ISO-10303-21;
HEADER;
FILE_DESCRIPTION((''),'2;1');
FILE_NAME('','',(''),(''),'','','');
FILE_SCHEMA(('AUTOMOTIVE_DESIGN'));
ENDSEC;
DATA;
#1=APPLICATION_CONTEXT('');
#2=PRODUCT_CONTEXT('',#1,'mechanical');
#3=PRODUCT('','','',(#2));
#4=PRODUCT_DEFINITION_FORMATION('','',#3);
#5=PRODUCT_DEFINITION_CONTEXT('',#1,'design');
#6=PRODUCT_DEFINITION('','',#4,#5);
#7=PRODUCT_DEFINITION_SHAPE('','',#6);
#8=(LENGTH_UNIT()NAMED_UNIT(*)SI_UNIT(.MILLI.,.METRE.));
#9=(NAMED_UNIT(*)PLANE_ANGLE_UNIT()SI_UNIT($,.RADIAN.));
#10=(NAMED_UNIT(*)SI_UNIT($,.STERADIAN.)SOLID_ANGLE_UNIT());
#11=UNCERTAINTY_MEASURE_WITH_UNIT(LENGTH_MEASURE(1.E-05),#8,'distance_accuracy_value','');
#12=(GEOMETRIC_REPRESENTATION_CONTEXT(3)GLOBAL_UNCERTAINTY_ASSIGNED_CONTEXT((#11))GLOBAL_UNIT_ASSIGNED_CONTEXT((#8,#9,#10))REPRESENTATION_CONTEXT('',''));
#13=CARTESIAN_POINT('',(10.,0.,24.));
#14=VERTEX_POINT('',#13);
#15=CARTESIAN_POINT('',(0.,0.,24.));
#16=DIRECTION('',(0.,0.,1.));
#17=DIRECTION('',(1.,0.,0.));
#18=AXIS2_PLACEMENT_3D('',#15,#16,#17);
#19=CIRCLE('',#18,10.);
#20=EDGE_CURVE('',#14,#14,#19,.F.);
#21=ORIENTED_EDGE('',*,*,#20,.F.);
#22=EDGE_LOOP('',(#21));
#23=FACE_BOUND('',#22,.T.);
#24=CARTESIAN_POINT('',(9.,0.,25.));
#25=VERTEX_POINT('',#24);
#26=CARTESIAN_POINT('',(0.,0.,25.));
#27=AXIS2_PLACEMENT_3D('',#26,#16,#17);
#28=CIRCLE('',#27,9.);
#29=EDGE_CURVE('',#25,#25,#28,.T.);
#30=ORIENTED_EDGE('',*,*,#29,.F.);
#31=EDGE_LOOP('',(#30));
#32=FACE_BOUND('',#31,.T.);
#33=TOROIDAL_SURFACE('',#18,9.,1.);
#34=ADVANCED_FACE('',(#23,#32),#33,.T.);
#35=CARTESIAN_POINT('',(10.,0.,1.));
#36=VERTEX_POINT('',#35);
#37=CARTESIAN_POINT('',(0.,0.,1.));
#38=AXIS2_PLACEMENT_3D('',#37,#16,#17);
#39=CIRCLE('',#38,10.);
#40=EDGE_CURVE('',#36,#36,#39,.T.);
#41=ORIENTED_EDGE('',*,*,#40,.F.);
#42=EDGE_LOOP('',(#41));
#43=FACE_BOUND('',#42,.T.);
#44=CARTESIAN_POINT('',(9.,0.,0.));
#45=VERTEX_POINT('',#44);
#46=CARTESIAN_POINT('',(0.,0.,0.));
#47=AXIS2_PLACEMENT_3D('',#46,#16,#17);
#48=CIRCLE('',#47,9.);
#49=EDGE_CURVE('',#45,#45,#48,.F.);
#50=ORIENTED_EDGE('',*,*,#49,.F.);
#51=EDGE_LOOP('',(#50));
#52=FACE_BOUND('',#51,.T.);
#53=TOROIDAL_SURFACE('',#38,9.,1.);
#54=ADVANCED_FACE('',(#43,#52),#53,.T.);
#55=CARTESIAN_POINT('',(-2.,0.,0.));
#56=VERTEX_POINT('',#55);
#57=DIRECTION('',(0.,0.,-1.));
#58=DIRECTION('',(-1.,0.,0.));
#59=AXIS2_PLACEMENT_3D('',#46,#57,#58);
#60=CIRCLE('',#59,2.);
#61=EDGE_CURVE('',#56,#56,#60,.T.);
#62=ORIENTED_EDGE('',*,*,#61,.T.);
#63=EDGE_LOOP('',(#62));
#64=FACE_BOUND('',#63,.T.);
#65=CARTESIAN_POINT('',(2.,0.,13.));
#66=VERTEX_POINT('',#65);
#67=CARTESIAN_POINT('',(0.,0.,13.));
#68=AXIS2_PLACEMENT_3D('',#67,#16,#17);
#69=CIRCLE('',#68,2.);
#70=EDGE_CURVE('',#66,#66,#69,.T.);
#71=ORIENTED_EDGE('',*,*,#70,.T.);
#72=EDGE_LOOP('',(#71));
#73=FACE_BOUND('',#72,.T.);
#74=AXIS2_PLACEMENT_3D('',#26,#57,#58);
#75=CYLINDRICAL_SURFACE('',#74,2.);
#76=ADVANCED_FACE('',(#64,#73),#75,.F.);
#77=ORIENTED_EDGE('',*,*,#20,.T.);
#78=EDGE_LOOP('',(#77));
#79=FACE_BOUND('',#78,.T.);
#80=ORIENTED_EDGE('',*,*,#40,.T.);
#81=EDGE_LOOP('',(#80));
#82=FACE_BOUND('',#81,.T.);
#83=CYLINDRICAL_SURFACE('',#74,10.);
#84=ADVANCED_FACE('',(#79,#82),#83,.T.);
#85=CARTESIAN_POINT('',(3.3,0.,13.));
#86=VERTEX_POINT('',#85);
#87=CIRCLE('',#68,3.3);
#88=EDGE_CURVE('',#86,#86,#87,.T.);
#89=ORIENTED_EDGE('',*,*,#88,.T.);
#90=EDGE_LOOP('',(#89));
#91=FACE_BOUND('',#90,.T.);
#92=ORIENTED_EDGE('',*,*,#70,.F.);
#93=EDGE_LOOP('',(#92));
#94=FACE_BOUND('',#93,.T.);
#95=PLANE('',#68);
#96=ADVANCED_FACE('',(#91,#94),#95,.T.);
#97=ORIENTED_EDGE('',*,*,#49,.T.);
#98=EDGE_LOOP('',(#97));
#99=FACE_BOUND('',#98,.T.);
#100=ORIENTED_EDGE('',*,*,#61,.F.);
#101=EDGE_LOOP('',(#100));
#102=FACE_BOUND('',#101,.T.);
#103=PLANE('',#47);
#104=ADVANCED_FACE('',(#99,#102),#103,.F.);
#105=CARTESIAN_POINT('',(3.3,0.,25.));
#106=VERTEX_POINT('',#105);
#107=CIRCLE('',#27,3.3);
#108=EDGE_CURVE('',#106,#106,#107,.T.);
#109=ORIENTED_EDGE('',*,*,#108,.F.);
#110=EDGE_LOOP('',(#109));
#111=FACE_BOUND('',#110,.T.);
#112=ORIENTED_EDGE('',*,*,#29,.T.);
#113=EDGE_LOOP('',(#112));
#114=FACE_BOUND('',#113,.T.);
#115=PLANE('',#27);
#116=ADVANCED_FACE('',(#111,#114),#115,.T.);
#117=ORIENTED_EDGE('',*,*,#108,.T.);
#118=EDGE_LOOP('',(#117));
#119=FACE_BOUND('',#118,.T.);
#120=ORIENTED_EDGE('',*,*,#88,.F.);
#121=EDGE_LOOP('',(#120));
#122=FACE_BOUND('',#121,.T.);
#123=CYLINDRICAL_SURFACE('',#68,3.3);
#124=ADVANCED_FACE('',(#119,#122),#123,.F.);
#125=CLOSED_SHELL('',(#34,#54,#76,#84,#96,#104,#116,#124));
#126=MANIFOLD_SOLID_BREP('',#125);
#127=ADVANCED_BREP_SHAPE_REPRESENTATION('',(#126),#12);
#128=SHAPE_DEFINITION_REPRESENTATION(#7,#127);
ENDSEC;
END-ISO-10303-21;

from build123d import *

# Parameters (mm, degrees)
SKETCH_1_R          = 10
EXTRUDE_1_DEPTH     = 25
SKETCH_2_R          = 3.3
CUT_EXTRUDE_1_DEPTH = 12
FILLET_1_R          = 1
SKETCH_3_R          = 2
CUT_EXTRUDE_2_DEPTH = 29.722813268


with BuildPart() as part:
    # 草图1 → 凸台-拉伸1 (new body)
    with BuildSketch(Plane.XY):
        Circle(SKETCH_1_R)
    extrude(amount=EXTRUDE_1_DEPTH)

    # 草图2 → 切除-拉伸1 (cut)
    with BuildSketch(Plane.XY.offset(25)):
        Circle(SKETCH_2_R)
    extrude(amount=-CUT_EXTRUDE_1_DEPTH, mode=Mode.SUBTRACT)

    # 圆角1
    fillet_1_edges = [part.edges().sort_by_distance(p)[0] for p in [
        (-10, 0, 0),
        (-10, 0, 25),
    ]]
    fillet(fillet_1_edges, radius=FILLET_1_R)

    # 草图3 → 切除-拉伸2 (cut, through all)
    with BuildSketch(Plane(origin=(0, 0, 0), x_dir=(-1, 0, 0), z_dir=(0, 0, -1))):
        Circle(SKETCH_3_R)
    extrude(amount=-CUT_EXTRUDE_2_DEPTH, mode=Mode.SUBTRACT)


solid = part.part
